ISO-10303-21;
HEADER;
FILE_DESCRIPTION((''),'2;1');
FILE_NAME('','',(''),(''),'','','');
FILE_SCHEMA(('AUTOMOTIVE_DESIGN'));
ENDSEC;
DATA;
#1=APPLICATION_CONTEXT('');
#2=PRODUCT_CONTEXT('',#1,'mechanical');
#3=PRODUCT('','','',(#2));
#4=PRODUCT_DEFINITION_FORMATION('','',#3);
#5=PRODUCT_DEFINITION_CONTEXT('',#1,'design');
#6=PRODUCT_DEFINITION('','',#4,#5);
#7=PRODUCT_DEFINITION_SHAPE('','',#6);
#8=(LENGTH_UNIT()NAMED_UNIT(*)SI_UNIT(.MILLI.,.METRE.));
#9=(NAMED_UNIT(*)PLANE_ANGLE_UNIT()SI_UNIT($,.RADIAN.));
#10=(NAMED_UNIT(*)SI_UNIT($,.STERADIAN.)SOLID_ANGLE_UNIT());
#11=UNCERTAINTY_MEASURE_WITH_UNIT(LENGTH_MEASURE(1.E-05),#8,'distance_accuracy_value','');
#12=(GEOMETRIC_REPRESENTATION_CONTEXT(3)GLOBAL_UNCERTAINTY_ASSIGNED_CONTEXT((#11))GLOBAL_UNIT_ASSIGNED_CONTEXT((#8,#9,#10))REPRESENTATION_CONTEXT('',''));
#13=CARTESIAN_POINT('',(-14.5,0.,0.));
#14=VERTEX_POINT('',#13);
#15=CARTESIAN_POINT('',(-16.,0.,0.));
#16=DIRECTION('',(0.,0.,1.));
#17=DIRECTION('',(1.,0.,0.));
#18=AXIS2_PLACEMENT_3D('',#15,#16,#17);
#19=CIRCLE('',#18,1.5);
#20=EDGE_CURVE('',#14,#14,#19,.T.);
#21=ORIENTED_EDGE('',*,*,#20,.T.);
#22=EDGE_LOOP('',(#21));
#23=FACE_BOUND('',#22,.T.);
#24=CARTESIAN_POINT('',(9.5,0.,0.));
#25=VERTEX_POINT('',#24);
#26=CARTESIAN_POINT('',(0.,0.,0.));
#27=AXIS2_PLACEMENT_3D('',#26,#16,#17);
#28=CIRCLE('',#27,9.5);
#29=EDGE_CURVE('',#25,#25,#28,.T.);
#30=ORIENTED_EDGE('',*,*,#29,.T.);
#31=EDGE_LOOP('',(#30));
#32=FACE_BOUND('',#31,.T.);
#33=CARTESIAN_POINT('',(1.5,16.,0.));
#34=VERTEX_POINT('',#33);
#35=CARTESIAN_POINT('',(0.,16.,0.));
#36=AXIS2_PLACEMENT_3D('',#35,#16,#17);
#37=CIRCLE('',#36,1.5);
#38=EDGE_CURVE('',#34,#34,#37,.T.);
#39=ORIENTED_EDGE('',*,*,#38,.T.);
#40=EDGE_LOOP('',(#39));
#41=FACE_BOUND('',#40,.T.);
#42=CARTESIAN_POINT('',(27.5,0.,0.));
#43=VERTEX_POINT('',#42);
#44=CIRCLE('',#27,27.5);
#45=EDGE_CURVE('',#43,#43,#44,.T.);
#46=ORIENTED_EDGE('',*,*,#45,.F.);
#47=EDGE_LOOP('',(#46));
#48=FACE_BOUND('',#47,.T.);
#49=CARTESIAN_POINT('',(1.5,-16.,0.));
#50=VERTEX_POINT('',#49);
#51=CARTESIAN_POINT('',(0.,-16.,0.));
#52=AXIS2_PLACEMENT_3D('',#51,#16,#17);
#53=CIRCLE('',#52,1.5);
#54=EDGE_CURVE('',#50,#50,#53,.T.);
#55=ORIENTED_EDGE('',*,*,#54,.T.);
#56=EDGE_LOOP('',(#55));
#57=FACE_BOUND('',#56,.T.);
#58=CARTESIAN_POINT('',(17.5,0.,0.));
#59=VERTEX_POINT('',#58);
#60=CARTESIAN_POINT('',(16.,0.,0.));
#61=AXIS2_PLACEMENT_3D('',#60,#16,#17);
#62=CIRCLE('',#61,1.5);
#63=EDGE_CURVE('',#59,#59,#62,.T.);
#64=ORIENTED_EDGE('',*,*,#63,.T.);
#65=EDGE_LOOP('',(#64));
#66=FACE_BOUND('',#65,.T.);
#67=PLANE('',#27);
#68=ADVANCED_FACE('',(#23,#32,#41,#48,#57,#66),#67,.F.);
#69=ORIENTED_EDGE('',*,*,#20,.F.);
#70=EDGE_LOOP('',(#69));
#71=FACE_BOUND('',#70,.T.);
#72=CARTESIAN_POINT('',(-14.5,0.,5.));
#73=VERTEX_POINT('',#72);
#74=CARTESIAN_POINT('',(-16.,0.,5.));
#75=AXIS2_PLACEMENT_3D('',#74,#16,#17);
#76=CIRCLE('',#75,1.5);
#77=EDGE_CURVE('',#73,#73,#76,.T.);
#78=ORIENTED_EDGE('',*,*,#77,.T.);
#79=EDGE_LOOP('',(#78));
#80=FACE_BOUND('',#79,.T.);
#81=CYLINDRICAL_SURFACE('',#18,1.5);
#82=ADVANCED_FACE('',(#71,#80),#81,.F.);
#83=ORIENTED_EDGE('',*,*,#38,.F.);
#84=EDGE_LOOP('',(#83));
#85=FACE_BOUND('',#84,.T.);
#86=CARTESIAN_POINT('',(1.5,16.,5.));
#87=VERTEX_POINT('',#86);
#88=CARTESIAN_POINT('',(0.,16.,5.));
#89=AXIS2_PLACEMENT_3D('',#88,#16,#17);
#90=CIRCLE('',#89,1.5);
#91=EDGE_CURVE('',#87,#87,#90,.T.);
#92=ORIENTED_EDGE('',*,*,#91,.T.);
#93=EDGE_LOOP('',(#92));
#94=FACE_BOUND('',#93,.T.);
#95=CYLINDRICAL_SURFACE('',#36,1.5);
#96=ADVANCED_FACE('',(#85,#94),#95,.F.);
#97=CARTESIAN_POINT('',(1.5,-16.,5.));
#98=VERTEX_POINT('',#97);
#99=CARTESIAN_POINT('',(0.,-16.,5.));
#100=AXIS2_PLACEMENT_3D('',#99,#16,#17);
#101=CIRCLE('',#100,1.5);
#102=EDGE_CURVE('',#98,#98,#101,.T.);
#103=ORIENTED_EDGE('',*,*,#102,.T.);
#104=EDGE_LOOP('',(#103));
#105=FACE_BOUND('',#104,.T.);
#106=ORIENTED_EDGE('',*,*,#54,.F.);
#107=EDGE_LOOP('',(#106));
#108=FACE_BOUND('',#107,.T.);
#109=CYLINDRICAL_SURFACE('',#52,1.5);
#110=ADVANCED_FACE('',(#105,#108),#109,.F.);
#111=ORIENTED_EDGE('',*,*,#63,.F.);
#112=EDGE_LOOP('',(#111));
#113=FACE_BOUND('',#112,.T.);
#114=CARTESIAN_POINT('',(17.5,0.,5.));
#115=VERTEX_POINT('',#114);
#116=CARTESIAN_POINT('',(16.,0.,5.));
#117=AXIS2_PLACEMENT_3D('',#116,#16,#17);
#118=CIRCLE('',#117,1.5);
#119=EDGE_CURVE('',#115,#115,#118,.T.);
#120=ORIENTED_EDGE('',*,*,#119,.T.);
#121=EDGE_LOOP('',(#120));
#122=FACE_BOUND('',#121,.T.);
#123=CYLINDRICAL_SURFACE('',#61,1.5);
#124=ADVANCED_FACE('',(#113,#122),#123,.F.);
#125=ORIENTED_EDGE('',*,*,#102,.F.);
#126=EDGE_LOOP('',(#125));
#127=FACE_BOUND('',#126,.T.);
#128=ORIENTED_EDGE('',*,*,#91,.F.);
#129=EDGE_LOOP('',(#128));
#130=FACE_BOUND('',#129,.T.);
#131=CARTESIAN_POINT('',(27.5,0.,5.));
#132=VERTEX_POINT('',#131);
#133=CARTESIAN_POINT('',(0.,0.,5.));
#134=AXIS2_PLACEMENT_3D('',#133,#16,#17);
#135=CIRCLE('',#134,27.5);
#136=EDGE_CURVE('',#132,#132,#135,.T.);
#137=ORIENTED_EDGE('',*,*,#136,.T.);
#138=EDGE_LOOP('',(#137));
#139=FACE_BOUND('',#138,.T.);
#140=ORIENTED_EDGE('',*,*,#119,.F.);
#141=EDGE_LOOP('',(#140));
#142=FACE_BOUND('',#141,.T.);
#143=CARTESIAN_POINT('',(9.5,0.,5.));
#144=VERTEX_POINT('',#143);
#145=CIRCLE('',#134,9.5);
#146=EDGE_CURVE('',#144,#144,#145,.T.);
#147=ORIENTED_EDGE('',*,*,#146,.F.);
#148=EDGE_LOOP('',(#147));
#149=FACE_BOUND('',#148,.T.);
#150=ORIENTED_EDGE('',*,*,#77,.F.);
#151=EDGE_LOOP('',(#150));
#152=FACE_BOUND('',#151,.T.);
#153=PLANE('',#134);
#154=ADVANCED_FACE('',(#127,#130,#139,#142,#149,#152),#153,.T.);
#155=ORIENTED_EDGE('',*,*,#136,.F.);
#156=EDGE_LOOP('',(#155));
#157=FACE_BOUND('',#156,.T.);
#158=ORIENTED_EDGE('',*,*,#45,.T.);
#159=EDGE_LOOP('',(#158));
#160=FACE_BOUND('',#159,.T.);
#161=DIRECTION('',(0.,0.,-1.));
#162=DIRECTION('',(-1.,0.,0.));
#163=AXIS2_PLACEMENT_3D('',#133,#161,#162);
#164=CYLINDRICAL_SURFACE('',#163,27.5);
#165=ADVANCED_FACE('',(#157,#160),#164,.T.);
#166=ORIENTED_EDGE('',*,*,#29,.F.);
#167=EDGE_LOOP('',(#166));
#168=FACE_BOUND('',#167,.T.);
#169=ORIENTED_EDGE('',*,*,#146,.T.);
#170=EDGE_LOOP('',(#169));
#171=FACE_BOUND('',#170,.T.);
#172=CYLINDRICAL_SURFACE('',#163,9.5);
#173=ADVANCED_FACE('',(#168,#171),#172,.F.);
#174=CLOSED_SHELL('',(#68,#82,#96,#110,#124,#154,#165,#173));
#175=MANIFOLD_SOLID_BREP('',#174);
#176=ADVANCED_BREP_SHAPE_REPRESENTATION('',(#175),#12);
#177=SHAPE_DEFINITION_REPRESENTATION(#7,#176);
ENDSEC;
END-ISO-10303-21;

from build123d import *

# Parameters (mm, degrees)
ESQUISSE1_R             = 27.5
ESQUISSE1_R_2           = 9.5
BOSS_EXTRU_1_DEPTH      = 5
ESQUISSE2_R             = 1.5
ENL_V_MAT_EXTRU_2_DEPTH = 5


with BuildPart() as part:
    # Esquisse1 → Boss.-Extru.1 (new body)
    with BuildSketch(Plane.XY):
        Circle(ESQUISSE1_R)
        Circle(ESQUISSE1_R_2, mode=Mode.SUBTRACT)
    extrude(amount=BOSS_EXTRU_1_DEPTH)

    # Esquisse2 → Enlèv. mat.-Extru.2 (cut)
    with BuildSketch(Plane.XY.offset(5)):
        with Locations((16, 0)):
            Circle(ESQUISSE2_R)
        with Locations((0, 16)):
            Circle(ESQUISSE2_R)
        with Locations((0, -16)):
            Circle(ESQUISSE2_R)
        with Locations((-16, 0)):
            Circle(ESQUISSE2_R)
    extrude(amount=-ENL_V_MAT_EXTRU_2_DEPTH, mode=Mode.SUBTRACT)


solid = part.part
